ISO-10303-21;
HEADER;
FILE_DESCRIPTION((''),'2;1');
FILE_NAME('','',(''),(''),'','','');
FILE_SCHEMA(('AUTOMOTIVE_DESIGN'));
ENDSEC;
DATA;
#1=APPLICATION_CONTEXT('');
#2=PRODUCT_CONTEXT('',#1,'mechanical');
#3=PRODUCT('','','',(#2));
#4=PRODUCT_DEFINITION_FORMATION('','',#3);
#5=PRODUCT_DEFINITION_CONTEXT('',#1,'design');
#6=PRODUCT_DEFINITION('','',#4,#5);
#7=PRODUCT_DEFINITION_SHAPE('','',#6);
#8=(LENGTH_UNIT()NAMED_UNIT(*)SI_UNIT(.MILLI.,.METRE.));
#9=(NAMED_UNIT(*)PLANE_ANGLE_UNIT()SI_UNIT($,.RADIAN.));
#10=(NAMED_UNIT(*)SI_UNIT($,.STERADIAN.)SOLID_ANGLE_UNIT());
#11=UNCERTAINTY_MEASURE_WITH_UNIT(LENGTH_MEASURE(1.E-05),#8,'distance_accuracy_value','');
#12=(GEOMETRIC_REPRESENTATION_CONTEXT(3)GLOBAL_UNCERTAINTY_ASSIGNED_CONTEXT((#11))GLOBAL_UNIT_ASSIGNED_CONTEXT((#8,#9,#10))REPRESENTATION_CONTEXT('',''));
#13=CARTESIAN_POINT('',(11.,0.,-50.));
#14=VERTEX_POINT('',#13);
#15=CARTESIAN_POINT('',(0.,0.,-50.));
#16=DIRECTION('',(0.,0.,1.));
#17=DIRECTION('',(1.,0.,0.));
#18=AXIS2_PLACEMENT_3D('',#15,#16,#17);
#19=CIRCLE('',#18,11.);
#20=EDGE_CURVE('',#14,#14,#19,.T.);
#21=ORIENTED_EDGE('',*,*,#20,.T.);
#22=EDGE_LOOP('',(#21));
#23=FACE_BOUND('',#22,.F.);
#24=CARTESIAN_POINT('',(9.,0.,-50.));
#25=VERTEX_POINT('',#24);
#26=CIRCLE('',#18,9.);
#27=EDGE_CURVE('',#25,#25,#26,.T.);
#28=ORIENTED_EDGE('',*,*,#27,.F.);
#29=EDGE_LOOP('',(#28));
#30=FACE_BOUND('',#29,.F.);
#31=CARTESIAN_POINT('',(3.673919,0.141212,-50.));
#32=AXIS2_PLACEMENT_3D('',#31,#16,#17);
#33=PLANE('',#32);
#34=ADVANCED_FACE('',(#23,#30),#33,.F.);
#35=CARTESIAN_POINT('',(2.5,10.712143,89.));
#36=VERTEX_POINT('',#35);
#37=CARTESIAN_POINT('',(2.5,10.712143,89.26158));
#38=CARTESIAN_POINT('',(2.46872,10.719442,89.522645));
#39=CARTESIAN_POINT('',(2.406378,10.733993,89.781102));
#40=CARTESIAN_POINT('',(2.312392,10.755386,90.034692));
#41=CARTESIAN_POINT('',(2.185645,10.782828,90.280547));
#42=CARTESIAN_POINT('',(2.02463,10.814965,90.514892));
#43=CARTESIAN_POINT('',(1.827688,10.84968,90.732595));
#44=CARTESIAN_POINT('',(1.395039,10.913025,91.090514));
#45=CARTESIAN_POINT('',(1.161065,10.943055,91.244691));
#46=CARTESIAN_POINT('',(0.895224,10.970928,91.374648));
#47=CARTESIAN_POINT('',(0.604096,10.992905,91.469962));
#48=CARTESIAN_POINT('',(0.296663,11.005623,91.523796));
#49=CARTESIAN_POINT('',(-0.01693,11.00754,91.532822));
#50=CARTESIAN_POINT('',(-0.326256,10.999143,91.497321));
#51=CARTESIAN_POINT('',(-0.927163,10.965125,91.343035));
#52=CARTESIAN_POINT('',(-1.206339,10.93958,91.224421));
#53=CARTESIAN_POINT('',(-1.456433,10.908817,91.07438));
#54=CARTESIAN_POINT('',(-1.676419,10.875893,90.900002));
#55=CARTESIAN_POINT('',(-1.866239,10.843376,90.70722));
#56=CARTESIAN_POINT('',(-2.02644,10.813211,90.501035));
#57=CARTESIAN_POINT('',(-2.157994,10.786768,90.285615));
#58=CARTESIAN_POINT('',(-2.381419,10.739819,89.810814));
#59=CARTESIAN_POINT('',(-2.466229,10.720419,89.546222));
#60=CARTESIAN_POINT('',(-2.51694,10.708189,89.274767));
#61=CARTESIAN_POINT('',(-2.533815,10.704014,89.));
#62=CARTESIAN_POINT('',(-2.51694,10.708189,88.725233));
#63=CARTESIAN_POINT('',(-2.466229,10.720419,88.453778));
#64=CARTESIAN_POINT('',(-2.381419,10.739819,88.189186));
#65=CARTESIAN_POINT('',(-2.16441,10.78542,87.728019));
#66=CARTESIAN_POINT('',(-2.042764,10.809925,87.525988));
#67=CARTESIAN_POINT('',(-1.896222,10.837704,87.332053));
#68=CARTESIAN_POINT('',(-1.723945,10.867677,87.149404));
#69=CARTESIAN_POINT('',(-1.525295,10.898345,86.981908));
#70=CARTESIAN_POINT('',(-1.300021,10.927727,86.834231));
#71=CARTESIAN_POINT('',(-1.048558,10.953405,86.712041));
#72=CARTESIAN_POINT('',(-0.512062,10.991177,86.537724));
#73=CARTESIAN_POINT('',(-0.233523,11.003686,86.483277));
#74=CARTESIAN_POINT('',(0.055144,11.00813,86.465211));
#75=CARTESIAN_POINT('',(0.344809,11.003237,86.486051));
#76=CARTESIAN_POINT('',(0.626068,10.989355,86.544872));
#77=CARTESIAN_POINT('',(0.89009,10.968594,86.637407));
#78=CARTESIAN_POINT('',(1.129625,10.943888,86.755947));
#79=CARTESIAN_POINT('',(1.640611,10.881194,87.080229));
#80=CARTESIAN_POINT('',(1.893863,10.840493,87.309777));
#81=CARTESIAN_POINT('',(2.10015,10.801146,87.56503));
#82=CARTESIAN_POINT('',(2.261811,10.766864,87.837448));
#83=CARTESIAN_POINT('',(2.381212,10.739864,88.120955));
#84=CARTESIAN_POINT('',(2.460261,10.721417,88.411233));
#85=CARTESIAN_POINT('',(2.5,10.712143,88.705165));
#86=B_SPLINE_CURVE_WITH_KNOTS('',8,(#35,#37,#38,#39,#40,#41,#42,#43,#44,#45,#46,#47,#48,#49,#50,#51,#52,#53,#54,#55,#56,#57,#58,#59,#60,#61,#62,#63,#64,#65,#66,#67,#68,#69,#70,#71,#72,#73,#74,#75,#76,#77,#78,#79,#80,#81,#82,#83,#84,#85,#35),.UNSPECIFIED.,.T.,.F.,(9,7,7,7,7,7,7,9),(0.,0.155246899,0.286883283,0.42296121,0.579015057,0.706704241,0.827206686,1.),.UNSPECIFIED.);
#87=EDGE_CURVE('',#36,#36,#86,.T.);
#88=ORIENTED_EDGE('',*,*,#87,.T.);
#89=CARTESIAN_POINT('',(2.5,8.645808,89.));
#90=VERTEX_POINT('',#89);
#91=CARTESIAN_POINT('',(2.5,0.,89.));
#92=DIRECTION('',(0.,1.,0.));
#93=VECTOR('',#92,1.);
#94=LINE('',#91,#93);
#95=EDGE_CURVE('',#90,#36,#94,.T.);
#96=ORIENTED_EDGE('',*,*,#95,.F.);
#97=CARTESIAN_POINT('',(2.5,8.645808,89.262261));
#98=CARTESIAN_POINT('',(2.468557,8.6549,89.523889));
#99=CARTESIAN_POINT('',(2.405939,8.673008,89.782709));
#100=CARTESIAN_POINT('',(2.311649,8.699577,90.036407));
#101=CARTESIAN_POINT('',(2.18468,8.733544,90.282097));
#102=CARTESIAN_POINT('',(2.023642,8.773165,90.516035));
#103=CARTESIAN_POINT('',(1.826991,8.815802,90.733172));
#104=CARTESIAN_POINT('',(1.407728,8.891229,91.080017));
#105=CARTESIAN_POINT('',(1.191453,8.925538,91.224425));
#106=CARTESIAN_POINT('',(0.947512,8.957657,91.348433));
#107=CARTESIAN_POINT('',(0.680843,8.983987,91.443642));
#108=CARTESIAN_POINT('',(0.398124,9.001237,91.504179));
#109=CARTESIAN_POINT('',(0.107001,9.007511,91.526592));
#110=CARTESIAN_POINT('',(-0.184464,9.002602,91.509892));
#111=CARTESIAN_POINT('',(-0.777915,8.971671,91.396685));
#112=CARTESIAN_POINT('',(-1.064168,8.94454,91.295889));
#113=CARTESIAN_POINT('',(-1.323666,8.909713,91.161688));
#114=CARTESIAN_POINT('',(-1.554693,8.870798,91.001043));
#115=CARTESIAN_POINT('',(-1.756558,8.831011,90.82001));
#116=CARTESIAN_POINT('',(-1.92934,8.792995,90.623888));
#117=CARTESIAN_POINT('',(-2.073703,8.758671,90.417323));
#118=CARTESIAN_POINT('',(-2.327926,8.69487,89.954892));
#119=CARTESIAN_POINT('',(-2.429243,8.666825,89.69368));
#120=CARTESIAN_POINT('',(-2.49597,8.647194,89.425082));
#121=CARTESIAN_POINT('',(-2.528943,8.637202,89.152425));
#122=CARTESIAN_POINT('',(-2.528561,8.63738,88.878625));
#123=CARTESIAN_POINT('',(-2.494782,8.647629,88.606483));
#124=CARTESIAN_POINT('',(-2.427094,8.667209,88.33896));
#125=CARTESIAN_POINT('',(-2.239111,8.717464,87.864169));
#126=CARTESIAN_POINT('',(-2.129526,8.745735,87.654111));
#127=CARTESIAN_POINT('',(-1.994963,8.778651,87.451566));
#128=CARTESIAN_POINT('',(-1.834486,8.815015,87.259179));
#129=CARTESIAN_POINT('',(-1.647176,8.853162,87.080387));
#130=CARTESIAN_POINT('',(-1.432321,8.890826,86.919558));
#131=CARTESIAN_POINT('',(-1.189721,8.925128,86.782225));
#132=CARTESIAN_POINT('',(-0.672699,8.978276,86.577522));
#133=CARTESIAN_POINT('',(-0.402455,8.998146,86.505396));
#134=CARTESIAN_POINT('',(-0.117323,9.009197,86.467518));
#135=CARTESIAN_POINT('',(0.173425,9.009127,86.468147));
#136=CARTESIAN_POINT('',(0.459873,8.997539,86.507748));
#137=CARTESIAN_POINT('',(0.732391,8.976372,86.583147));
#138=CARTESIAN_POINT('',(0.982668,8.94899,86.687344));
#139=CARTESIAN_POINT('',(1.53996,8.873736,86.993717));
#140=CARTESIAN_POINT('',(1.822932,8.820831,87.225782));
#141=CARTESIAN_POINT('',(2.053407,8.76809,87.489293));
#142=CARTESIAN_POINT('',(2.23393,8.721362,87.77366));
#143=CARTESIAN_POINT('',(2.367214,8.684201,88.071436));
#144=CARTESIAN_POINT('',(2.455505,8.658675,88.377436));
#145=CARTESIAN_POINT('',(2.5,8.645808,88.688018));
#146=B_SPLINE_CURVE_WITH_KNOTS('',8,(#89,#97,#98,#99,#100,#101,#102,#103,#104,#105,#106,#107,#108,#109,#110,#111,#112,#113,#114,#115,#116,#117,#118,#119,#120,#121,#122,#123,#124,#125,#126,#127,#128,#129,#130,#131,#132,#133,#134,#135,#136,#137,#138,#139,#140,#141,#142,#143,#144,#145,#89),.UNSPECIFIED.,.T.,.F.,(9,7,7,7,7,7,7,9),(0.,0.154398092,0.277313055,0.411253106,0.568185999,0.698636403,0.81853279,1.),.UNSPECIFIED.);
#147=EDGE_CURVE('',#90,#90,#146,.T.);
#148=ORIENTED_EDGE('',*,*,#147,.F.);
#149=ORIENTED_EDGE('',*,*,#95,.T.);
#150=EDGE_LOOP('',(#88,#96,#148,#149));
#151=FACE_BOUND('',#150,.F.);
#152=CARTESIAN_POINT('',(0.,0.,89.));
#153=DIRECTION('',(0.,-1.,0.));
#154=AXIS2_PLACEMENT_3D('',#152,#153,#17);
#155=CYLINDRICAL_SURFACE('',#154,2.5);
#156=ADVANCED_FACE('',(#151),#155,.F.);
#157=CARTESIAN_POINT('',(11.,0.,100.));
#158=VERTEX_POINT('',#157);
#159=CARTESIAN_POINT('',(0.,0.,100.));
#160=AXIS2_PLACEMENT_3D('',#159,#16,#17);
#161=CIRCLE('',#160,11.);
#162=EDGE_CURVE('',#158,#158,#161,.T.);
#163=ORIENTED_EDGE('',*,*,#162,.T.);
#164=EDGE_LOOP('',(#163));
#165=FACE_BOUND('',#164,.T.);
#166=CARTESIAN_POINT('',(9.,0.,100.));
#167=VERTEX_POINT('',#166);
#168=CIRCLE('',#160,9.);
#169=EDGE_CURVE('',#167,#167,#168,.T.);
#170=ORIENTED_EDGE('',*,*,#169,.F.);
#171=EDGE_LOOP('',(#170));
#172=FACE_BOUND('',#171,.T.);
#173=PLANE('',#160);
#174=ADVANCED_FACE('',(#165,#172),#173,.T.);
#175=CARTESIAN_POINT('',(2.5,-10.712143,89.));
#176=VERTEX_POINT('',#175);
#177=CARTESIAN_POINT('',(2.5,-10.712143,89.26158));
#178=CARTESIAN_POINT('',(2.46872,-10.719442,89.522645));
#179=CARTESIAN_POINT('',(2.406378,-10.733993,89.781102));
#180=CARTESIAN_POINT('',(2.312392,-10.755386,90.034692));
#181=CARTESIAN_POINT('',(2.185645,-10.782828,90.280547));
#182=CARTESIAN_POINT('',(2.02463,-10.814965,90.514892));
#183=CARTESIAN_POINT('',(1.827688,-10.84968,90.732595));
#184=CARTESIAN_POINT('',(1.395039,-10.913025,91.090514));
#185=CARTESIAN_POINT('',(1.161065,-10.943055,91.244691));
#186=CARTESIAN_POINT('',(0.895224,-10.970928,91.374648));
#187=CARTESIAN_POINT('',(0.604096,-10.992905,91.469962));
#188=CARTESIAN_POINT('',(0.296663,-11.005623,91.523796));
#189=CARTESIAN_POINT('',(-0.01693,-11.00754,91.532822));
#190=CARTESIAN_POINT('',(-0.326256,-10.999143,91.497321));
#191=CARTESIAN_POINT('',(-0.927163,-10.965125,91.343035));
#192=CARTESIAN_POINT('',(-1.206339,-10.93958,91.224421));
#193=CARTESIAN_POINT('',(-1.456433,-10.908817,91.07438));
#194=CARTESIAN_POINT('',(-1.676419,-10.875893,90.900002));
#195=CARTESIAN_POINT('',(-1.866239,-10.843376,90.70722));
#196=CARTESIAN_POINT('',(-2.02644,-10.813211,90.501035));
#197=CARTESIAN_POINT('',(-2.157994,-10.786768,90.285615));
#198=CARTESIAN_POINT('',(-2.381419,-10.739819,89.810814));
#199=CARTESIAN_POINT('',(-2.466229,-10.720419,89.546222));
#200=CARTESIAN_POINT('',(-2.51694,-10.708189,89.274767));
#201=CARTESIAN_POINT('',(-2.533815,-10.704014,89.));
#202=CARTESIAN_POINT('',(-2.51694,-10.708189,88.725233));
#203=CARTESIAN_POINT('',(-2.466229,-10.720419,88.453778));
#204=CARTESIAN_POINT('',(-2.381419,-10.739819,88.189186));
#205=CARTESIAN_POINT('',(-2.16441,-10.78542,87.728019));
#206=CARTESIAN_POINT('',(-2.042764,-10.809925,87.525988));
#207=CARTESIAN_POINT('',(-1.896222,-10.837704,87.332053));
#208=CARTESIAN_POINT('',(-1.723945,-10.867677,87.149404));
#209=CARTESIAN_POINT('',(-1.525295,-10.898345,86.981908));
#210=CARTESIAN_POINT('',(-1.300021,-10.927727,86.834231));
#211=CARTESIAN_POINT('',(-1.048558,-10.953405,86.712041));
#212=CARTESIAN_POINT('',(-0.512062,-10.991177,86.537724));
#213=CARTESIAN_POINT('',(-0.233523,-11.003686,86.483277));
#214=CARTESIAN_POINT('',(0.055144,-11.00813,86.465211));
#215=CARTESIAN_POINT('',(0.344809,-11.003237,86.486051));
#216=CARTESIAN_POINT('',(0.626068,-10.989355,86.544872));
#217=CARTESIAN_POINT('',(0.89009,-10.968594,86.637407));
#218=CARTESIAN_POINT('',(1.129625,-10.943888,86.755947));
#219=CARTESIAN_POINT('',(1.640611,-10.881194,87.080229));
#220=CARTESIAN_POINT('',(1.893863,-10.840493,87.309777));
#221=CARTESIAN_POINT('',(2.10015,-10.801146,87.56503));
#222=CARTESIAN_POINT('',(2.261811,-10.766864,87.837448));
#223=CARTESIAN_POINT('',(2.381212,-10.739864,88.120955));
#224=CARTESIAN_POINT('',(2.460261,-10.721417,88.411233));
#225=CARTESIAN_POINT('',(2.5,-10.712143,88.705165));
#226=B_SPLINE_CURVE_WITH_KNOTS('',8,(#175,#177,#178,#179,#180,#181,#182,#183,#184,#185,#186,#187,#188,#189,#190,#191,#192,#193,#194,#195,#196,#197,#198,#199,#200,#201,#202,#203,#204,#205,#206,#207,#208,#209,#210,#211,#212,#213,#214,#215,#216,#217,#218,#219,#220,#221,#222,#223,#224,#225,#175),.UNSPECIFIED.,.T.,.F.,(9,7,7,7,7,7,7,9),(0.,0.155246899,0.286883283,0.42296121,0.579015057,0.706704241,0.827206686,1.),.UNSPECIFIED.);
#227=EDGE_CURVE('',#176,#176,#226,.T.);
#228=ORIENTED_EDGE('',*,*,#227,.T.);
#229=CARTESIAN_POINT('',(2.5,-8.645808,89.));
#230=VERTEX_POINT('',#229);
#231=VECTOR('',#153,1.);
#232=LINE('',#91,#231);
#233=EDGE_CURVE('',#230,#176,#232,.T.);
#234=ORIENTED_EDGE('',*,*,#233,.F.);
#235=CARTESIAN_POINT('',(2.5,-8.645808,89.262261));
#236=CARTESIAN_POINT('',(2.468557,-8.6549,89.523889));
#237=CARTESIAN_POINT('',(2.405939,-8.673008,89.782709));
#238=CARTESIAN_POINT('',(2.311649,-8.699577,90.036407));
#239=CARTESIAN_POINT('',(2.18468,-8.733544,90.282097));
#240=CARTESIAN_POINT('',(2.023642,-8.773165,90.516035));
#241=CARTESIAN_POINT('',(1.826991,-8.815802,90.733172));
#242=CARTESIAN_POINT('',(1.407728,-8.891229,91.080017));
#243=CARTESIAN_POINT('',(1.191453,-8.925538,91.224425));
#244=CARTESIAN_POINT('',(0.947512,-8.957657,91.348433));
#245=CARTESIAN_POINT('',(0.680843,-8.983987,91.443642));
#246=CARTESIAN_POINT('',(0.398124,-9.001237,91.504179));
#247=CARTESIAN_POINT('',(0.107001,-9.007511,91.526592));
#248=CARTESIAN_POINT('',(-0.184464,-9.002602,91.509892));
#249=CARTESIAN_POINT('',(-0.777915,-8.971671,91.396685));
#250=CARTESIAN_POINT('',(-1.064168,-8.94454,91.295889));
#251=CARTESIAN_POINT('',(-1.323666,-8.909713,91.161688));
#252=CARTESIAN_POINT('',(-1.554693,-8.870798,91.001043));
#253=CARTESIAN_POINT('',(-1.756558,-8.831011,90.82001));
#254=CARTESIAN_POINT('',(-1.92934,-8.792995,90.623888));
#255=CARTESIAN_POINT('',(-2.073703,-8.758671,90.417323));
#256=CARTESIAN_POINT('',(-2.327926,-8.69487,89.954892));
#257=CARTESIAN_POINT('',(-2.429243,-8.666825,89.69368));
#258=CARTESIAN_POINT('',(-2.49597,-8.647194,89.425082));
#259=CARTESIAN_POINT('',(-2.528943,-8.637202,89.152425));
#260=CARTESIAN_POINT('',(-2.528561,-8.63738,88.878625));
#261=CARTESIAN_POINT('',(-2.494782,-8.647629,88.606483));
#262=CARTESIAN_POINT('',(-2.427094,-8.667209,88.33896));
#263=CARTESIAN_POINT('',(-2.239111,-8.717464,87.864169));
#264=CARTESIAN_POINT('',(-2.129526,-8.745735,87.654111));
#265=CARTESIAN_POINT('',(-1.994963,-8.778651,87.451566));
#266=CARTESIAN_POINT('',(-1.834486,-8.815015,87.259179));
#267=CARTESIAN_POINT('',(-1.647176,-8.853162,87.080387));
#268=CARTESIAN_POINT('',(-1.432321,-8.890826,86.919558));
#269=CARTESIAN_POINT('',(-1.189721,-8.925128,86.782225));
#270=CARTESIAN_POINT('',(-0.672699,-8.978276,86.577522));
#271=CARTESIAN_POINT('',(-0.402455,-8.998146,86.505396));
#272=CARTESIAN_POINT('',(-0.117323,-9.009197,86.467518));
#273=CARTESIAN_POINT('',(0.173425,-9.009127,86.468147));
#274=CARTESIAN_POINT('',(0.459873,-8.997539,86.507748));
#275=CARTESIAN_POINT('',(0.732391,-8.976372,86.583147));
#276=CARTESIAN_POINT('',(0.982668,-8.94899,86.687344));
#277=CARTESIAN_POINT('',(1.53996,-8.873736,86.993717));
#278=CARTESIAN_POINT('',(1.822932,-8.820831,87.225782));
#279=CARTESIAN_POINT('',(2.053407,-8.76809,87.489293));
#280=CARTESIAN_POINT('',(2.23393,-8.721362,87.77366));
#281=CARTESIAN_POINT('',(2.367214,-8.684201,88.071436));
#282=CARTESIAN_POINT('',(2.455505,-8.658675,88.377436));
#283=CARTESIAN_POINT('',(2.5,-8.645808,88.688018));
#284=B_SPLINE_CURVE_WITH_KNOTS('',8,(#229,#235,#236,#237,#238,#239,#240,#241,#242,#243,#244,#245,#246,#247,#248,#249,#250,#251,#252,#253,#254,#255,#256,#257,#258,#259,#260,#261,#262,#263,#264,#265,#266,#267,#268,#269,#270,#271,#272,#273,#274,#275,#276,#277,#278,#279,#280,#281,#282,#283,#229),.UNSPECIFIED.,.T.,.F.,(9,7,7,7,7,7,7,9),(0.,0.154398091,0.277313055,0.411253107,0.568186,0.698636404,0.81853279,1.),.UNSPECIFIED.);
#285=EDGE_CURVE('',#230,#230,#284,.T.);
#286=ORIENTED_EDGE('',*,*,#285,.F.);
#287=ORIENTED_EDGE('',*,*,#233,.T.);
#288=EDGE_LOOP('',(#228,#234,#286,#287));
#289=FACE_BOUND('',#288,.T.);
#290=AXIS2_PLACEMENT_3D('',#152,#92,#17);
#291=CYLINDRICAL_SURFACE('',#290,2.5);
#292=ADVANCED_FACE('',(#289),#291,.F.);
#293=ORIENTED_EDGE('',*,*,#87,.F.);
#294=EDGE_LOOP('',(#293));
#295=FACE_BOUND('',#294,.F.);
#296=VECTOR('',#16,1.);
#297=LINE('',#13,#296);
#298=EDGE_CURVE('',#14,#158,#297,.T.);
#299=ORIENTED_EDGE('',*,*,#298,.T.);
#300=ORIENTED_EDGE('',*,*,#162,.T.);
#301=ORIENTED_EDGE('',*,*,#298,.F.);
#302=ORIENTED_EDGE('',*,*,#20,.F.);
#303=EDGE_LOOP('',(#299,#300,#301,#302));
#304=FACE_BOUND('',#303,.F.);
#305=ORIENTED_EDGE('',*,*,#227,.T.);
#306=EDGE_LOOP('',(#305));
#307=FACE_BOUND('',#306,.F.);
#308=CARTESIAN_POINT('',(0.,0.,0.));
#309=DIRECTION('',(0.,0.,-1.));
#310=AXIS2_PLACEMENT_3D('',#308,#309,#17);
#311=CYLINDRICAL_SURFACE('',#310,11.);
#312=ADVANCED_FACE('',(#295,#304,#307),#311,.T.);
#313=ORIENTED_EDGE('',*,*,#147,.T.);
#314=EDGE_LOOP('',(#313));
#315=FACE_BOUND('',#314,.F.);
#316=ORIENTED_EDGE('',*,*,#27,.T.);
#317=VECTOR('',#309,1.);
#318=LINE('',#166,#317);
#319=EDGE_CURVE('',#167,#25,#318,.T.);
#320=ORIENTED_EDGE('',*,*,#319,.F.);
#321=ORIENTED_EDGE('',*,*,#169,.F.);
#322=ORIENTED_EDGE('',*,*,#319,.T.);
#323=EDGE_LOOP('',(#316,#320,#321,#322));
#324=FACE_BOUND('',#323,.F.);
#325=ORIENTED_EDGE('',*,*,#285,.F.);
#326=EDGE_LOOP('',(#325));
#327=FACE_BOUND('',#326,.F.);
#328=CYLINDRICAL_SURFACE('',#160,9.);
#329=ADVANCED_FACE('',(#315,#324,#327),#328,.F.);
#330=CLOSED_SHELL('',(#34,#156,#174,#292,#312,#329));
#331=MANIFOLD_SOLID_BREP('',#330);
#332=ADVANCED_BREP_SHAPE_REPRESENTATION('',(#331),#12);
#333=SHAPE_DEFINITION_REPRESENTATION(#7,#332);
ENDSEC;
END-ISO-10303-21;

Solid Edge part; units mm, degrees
sketch "Sketch1" plane through (0, 0, 0) normal (0, 0, 1) x (1, 0, 0)
  circle A0 centre (0, 0) radius 11
extrude "Protrusion1" add sketch "Sketch1" along normal mid plane 200
sketch "Sketch2" plane through (0, 0, 100) normal (0, 0, 1) x (1, 0, 0)
  circle A0 centre (0, 0) radius 9
extrude "Cutout1" cut sketch "Sketch2" against normal up to vertex (200 mm away)
sketch "Sketch3" plane through (0, 0, 0) normal (0, -1, 0) x (1, 0, 0)
  circle A0 centre (0, 89) radius 2.5
extrude "ExtrudedCutout_2" cut sketch "Sketch3" along normal mid plane 30
sketch "Sketch4" plane through (0, 0, -100) normal (0, 0, -1) x (1, 0, 0)
  line L0 (-11, 20) -> (19, 20)
  line L1 (19, 20) -> (19.5245, -19.9966)
  line L2 (19.5245, -19.9966) -> (-13.1942, -19.0394)
  line L3 (-13.1942, -19.0394) -> (-11, 20)
extrude "ExtrudedCutout_3" cut sketch "Sketch4" against normal blind 50
